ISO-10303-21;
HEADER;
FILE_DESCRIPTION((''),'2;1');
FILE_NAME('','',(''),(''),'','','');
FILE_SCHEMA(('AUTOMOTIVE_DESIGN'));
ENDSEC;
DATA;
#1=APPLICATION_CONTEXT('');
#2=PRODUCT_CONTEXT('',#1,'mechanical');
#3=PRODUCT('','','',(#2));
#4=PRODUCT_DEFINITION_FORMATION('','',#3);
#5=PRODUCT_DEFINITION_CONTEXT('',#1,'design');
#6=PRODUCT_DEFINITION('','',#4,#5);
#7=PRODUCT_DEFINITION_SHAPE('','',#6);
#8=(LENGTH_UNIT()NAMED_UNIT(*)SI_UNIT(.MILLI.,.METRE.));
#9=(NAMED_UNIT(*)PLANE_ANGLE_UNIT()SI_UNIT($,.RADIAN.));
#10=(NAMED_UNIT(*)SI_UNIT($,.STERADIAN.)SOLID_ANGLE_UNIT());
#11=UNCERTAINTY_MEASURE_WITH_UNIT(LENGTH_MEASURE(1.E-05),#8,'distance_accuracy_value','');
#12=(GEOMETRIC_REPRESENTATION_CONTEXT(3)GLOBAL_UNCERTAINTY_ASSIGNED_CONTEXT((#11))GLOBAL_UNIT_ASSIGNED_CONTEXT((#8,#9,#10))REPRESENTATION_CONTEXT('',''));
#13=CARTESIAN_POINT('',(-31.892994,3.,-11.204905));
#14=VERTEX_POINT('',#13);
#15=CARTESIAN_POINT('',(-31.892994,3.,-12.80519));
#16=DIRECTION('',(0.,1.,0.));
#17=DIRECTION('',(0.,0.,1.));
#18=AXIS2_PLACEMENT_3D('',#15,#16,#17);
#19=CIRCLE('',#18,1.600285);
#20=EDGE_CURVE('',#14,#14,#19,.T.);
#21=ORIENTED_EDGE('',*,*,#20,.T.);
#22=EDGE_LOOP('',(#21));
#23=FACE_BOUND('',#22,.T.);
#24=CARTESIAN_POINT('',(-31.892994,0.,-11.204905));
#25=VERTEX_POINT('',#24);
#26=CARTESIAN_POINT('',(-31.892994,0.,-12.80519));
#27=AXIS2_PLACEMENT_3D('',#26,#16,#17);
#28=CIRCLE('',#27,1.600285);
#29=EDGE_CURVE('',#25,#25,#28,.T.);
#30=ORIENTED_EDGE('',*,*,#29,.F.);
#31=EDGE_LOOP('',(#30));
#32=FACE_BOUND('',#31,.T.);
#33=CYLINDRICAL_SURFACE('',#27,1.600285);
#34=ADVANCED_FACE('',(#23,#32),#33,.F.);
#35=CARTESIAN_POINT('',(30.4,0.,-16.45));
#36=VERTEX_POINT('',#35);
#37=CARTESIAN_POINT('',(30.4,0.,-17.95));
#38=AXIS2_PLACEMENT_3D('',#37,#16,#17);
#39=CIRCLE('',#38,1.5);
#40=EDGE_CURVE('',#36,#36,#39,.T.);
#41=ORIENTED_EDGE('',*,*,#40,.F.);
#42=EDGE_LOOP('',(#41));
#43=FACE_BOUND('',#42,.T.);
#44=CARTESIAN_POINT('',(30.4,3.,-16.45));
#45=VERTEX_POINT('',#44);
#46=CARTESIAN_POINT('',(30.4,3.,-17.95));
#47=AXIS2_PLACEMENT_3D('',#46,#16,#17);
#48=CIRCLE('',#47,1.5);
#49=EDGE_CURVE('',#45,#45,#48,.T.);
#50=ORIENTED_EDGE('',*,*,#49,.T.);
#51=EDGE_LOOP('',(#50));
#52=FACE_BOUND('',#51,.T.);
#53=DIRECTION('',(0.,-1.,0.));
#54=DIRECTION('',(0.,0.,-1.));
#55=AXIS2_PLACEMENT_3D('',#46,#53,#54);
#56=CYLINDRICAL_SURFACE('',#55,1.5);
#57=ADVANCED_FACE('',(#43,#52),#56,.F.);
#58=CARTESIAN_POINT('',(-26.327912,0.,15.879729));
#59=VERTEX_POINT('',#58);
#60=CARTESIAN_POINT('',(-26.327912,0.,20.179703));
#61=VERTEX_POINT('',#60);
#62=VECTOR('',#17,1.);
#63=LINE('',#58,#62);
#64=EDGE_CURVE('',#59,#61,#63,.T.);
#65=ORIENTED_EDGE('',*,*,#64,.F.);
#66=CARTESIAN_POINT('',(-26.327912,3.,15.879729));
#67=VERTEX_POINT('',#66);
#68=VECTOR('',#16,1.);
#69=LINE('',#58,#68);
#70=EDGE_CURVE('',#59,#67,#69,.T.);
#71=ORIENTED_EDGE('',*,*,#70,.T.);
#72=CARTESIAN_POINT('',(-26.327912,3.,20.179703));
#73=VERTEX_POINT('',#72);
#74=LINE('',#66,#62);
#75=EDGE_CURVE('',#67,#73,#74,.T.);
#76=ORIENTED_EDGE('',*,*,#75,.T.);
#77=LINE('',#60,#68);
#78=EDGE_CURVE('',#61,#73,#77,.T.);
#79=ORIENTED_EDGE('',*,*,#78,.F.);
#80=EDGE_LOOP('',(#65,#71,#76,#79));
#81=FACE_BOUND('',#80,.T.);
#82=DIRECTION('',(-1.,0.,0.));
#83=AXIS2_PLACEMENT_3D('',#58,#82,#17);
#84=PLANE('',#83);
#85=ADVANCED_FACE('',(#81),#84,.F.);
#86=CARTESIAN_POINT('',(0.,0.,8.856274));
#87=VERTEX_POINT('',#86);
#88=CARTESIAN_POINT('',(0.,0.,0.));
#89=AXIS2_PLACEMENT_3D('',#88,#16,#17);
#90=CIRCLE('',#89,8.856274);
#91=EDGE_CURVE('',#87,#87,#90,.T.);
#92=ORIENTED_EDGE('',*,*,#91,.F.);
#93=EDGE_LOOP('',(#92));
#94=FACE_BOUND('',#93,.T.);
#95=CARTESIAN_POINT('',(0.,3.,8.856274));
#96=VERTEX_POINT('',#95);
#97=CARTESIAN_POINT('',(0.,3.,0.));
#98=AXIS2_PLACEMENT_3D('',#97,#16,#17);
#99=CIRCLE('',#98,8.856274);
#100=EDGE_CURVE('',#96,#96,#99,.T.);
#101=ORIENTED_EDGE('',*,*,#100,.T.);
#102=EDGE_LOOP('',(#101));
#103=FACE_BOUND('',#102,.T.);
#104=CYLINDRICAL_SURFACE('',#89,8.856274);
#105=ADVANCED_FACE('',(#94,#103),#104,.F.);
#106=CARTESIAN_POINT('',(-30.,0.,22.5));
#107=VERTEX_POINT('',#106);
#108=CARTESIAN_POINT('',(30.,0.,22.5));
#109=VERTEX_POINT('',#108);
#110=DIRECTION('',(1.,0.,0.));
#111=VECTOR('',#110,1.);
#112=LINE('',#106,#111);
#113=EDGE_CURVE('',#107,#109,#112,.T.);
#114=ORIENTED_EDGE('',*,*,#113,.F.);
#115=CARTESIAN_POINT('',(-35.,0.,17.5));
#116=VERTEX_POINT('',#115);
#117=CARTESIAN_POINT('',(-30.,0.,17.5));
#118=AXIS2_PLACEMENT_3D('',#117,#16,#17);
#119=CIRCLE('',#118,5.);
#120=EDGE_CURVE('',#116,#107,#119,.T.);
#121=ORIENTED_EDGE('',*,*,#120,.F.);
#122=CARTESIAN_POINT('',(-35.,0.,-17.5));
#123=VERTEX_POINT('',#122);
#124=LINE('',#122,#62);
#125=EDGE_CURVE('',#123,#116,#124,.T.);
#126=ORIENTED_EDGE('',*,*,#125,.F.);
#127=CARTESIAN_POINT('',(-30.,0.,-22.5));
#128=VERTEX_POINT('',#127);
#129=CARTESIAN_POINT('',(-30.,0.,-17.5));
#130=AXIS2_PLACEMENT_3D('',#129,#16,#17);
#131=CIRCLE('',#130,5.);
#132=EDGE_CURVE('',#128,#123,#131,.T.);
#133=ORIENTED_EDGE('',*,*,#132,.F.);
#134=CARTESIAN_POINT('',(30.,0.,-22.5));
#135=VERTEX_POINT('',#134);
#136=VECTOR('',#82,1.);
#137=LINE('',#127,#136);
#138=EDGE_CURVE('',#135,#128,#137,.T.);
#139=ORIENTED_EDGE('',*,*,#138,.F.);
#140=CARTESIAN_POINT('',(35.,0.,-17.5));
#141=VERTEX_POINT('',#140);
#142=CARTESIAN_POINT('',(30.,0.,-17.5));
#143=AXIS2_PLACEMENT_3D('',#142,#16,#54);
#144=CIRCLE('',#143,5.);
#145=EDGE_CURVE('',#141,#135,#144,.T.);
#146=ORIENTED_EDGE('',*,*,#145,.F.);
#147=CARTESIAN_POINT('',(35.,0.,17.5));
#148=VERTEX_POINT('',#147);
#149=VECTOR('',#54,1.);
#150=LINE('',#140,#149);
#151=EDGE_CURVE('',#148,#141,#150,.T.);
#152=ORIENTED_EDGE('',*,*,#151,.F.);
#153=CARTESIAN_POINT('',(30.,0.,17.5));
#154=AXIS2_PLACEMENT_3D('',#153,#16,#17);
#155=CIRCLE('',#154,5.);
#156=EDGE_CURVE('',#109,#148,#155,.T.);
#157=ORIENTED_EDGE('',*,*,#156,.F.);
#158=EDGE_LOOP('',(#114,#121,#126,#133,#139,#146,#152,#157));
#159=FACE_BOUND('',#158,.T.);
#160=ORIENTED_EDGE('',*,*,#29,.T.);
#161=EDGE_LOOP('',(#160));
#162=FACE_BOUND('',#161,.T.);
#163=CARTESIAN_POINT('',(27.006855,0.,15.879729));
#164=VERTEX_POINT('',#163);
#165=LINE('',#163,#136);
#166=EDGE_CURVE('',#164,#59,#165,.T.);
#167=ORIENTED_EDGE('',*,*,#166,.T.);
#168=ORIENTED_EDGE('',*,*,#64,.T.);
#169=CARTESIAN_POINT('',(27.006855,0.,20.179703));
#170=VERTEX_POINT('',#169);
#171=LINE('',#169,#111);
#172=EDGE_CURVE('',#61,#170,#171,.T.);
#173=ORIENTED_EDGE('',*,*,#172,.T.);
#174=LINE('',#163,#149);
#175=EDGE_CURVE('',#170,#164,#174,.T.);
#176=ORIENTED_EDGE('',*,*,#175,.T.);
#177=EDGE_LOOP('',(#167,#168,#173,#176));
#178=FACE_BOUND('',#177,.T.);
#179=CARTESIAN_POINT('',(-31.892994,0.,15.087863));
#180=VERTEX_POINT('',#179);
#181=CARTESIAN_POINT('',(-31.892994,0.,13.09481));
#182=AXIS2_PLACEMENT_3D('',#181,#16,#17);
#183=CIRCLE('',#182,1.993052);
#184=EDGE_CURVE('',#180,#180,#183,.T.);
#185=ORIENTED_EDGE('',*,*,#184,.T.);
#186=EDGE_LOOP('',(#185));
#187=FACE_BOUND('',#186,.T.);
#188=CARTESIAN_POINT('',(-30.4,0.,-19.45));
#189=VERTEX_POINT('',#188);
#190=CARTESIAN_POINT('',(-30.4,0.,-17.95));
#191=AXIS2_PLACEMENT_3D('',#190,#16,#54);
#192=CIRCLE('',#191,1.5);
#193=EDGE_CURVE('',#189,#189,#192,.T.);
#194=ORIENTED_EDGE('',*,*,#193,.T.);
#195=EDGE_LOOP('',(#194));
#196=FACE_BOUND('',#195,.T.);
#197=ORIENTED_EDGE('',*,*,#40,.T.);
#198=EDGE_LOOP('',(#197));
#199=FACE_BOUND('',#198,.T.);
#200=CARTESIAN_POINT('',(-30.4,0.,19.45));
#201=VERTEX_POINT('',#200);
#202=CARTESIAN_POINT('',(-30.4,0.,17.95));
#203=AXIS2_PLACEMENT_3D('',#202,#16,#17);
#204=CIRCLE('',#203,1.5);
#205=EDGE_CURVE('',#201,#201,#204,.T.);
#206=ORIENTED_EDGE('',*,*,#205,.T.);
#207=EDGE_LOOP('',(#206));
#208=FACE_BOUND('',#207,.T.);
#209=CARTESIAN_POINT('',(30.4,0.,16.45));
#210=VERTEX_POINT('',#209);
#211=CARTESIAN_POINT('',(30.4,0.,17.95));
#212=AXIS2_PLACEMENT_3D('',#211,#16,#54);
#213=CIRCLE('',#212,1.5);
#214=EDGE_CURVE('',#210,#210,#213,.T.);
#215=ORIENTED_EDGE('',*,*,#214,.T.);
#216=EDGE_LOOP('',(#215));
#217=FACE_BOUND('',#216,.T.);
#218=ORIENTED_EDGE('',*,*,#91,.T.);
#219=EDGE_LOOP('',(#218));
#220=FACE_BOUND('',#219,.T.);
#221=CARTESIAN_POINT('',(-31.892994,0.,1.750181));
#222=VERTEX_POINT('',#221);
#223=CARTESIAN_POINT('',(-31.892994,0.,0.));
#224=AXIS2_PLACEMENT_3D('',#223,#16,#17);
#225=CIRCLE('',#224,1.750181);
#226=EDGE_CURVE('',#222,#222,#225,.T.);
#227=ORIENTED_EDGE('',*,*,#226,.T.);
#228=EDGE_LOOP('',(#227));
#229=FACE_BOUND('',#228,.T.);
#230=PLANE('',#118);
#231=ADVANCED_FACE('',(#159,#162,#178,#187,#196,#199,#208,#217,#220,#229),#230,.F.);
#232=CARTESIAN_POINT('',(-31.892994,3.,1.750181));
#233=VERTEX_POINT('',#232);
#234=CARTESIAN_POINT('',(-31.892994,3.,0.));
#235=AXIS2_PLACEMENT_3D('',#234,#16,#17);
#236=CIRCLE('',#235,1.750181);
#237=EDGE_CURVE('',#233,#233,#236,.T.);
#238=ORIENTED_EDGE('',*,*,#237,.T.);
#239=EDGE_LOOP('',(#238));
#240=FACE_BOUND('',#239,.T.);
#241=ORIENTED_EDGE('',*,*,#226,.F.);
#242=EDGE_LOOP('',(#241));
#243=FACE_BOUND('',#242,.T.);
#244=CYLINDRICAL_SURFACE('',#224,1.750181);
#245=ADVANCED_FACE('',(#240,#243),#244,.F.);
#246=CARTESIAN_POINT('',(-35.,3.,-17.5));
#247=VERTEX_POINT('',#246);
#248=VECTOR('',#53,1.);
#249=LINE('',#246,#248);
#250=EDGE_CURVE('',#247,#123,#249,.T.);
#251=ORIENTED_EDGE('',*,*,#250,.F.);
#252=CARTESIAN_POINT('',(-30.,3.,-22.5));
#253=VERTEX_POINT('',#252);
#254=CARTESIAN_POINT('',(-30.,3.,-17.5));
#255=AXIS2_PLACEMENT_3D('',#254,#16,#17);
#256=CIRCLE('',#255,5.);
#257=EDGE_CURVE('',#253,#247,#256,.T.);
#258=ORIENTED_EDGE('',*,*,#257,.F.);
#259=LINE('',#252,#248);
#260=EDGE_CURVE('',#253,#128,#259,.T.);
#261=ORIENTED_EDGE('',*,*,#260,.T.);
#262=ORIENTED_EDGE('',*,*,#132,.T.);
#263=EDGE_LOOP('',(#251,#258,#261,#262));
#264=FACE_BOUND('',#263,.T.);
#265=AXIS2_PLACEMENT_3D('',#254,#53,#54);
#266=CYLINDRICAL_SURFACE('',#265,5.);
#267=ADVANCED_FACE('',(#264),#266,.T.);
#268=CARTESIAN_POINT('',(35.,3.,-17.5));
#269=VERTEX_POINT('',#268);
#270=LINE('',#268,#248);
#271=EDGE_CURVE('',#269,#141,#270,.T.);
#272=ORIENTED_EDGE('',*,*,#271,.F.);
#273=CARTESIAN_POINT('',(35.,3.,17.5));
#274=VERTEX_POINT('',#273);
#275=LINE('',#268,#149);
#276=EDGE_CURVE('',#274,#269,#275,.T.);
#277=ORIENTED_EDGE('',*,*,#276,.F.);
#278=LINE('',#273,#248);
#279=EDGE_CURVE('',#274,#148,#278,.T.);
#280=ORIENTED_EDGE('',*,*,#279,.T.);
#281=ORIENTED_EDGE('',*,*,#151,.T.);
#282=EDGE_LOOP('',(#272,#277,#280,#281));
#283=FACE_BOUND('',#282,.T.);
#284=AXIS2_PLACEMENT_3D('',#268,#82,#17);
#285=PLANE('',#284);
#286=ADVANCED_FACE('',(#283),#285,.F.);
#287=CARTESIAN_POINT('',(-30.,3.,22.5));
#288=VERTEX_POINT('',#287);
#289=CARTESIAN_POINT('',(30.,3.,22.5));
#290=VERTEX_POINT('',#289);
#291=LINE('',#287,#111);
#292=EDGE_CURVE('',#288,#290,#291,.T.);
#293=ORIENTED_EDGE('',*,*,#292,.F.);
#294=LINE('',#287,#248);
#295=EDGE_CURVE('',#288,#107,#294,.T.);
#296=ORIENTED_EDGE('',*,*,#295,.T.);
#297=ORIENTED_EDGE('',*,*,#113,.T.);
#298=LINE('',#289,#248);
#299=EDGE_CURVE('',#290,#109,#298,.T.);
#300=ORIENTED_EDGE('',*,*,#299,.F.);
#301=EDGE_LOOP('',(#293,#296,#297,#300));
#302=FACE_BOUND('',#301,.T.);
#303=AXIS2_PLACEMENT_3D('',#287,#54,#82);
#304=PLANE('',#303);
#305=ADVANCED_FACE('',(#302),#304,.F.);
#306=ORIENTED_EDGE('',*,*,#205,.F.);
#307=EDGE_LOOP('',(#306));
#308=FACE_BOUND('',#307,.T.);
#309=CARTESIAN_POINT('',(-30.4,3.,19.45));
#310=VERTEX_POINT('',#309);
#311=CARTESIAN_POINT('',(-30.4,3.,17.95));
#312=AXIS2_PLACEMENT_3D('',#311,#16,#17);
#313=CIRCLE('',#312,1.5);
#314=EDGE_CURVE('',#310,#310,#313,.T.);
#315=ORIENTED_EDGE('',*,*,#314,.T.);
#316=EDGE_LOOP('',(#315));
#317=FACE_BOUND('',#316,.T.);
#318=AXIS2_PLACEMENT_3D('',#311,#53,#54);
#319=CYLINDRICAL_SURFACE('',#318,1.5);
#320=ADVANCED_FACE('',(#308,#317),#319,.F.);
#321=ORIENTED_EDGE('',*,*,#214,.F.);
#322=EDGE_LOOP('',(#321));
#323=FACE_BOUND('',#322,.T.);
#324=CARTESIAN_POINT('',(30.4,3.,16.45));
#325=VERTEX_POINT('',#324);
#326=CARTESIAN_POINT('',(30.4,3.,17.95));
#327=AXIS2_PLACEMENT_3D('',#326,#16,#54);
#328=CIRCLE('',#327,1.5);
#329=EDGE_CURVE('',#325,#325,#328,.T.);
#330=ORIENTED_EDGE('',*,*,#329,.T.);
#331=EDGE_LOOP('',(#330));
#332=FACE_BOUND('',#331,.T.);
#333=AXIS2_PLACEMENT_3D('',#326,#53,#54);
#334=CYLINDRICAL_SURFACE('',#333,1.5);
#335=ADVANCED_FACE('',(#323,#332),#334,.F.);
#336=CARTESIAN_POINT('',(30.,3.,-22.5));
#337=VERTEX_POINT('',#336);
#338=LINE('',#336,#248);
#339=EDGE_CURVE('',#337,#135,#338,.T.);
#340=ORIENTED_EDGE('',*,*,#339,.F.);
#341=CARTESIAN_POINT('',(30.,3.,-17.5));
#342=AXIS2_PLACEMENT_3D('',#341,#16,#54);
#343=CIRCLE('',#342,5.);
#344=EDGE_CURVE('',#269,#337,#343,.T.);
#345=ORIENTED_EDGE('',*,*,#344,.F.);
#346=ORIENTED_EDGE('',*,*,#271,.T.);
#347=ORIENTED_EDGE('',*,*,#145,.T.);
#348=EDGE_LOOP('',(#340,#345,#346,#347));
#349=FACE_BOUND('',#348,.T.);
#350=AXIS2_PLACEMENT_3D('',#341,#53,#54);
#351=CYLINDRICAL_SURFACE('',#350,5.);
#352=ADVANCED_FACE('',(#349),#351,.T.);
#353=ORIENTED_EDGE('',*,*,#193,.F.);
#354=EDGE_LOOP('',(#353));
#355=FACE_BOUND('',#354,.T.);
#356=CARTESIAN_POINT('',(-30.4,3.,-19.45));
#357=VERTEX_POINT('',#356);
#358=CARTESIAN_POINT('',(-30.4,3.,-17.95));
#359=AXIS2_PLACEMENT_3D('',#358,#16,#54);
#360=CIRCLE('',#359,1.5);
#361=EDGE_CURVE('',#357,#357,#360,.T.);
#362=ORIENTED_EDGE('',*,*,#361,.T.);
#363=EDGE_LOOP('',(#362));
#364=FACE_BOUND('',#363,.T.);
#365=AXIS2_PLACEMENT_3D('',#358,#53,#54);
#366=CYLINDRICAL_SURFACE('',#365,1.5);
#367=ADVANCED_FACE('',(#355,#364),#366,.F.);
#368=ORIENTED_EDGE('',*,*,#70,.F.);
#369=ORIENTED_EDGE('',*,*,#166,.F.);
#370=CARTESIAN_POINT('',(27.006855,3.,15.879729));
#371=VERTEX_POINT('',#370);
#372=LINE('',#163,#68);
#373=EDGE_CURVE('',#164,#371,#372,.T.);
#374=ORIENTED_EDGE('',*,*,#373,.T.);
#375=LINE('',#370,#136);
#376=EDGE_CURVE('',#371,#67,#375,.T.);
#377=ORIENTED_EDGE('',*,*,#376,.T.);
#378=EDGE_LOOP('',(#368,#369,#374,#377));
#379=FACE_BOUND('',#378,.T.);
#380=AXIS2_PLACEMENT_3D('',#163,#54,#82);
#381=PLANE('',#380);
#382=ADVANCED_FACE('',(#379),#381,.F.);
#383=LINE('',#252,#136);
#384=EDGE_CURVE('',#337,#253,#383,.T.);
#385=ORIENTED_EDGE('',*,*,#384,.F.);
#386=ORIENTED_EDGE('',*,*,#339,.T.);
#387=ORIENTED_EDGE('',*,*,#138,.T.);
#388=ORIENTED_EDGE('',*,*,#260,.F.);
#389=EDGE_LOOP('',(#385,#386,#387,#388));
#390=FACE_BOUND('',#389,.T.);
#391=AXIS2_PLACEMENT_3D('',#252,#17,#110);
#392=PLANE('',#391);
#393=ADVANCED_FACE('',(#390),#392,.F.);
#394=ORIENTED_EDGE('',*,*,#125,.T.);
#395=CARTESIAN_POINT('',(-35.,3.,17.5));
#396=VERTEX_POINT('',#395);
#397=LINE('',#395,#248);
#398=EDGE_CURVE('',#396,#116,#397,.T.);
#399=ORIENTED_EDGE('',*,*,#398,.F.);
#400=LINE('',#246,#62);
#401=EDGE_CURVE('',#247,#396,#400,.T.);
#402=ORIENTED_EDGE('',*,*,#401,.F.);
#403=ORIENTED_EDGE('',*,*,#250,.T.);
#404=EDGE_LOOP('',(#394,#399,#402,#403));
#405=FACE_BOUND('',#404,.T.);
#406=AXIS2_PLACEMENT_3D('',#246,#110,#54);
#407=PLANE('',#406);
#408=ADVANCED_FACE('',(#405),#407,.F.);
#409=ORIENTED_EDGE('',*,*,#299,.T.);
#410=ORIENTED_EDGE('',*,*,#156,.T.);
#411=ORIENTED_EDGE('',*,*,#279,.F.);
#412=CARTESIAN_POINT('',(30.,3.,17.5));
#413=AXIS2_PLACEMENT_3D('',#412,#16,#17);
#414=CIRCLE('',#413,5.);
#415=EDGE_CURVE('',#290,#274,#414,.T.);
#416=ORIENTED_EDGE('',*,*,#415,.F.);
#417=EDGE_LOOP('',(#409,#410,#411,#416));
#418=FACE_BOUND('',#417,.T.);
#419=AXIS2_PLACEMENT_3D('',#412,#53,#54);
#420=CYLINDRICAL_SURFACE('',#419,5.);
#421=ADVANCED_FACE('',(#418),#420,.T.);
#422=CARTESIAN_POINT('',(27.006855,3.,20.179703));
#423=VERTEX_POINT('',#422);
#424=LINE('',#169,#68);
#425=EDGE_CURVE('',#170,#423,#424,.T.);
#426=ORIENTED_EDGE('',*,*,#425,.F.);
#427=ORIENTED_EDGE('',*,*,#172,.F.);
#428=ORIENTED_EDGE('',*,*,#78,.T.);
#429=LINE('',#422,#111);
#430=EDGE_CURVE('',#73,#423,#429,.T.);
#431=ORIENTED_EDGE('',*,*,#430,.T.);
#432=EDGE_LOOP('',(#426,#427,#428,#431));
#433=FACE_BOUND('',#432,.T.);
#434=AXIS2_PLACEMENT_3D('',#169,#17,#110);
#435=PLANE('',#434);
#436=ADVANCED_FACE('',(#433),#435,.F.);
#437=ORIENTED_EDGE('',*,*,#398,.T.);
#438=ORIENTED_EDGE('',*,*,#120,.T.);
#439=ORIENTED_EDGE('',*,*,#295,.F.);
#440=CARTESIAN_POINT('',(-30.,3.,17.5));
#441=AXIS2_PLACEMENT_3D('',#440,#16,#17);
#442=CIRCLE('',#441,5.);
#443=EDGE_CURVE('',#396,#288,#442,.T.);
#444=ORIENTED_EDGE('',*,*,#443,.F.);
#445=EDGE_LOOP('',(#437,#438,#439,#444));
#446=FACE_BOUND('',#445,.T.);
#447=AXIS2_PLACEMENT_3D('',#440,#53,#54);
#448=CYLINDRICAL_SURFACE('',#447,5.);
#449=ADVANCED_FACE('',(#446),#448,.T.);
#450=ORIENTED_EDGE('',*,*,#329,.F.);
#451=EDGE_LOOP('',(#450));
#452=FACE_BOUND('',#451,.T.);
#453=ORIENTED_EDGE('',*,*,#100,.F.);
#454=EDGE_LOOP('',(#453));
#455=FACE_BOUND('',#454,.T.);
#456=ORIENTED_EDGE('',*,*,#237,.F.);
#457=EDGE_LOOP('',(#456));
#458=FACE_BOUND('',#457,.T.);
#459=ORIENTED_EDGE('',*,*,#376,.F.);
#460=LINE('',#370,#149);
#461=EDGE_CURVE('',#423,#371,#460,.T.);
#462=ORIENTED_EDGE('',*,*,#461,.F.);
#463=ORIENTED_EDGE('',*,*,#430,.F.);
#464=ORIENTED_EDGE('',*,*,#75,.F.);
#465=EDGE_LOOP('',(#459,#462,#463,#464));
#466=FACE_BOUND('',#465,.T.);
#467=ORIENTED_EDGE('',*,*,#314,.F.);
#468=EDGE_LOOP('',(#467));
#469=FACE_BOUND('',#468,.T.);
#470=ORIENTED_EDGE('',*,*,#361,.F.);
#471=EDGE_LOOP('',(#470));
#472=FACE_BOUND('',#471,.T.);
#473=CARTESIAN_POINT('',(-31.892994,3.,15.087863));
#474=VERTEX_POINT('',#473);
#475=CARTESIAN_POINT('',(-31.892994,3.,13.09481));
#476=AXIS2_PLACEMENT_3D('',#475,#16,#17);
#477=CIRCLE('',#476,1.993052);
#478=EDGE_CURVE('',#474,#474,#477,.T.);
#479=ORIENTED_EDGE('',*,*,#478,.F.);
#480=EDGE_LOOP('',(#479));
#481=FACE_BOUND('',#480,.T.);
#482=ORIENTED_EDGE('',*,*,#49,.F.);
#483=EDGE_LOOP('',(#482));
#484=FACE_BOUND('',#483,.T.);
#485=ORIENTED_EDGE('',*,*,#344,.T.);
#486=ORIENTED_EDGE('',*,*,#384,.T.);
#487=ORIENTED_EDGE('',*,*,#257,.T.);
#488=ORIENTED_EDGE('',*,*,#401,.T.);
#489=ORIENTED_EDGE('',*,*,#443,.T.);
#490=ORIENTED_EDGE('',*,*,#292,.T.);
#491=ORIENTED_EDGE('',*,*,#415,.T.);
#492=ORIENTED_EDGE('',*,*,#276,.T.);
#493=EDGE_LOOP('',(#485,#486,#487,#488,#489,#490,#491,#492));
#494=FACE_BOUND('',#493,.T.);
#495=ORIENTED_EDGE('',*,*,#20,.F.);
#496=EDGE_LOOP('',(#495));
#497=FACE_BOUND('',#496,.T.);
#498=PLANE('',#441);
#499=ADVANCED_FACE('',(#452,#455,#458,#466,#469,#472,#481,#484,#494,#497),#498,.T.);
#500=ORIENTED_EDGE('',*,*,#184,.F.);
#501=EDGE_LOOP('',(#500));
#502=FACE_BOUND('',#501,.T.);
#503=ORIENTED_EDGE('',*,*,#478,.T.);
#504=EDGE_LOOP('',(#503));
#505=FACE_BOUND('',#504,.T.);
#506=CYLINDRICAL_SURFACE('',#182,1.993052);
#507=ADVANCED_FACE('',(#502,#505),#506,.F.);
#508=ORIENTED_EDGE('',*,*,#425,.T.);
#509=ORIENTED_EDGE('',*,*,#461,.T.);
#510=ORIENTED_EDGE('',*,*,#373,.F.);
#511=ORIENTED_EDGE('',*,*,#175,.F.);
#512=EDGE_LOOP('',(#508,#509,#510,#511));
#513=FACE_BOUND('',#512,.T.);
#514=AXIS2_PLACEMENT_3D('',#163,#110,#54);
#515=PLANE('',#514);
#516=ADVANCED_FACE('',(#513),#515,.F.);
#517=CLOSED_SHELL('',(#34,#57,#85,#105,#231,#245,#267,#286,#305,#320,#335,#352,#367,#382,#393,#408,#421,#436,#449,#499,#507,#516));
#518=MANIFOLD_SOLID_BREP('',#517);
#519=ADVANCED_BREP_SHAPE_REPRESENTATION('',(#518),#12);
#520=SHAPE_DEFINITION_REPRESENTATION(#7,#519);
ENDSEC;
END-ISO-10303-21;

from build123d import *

# Parameters (mm, degrees)
SKETCH_1_R          = 1.5
EXTRUDE_1_DEPTH     = 3
SKETCH_2_R          = 8.856274186
SKETCH_2_R_2        = 1.600284684
SKETCH_2_R_3        = 1.750181187
SKETCH_2_R_4        = 1.993052337
SKETCH_2_W          = 53.334767433
SKETCH_2_H          = 4.299974178
CUT_EXTRUDE_1_DEPTH = 42.716303767


with BuildPart() as part:
    # 草图1 → 凸台-拉伸1 (new body)
    with BuildSketch(Plane(origin=(0, 0, 0), x_dir=(1, 0, 0), z_dir=(0, 1, 0))):
        with BuildLine():
            Line((-30, 22.5), (30, 22.5))
            ThreePointArc((30, 22.5), (33.535533906, 21.035533906), (35, 17.5))
            Line((35, 17.5), (35, -17.5))
            ThreePointArc((35, -17.5), (33.535533906, -21.035533906), (30, -22.5))
            Line((30, -22.5), (-30, -22.5))
            ThreePointArc((-30, -22.5), (-33.535533906, -21.035533906), (-35, -17.5))
            Line((-35, -17.5), (-35, 17.5))
            ThreePointArc((-35, 17.5), (-33.535533906, 21.035533906), (-30, 22.5))
        make_face()
        with Locations(Location((-30.4, -17.95, 0), (0, 0, 270))):
            Circle(SKETCH_1_R, mode=Mode.SUBTRACT)
        with Locations(Location((30.4, -17.95, 0), (0, 0, 90))):
            Circle(SKETCH_1_R, mode=Mode.SUBTRACT)
        with Locations(Location((30.4, 17.95, 0), (0, 0, 270))):
            Circle(SKETCH_1_R, mode=Mode.SUBTRACT)
        with Locations(Location((-30.4, 17.95, 0), (0, 0, 90))):
            Circle(SKETCH_1_R, mode=Mode.SUBTRACT)
    extrude(amount=EXTRUDE_1_DEPTH)

    # 草图2 → 切除-拉伸1 (cut, through all)
    with BuildSketch(Plane(origin=(0, 3, 0), x_dir=(1, 0, 0), z_dir=(0, 1, 0))):
        with Locations(Location((0, 0, 0), (0, 0, 270))):
            Circle(SKETCH_2_R)
        with Locations(Location((-31.892993618, 12.805189582, 0), (0, 0, 270))):
            Circle(SKETCH_2_R_2)
        with Locations(Location((-31.892993618, 0, 0), (0, 0, 270))):
            Circle(SKETCH_2_R_3)
        with Locations(Location((-31.892993618, -13.094810418, 0), (0, 0, 270))):
            Circle(SKETCH_2_R_4)
        with Locations((0.339471646, -18.029716289)):
            Rectangle(SKETCH_2_W, SKETCH_2_H)
    extrude(amount=-CUT_EXTRUDE_1_DEPTH, mode=Mode.SUBTRACT)


solid = part.part
